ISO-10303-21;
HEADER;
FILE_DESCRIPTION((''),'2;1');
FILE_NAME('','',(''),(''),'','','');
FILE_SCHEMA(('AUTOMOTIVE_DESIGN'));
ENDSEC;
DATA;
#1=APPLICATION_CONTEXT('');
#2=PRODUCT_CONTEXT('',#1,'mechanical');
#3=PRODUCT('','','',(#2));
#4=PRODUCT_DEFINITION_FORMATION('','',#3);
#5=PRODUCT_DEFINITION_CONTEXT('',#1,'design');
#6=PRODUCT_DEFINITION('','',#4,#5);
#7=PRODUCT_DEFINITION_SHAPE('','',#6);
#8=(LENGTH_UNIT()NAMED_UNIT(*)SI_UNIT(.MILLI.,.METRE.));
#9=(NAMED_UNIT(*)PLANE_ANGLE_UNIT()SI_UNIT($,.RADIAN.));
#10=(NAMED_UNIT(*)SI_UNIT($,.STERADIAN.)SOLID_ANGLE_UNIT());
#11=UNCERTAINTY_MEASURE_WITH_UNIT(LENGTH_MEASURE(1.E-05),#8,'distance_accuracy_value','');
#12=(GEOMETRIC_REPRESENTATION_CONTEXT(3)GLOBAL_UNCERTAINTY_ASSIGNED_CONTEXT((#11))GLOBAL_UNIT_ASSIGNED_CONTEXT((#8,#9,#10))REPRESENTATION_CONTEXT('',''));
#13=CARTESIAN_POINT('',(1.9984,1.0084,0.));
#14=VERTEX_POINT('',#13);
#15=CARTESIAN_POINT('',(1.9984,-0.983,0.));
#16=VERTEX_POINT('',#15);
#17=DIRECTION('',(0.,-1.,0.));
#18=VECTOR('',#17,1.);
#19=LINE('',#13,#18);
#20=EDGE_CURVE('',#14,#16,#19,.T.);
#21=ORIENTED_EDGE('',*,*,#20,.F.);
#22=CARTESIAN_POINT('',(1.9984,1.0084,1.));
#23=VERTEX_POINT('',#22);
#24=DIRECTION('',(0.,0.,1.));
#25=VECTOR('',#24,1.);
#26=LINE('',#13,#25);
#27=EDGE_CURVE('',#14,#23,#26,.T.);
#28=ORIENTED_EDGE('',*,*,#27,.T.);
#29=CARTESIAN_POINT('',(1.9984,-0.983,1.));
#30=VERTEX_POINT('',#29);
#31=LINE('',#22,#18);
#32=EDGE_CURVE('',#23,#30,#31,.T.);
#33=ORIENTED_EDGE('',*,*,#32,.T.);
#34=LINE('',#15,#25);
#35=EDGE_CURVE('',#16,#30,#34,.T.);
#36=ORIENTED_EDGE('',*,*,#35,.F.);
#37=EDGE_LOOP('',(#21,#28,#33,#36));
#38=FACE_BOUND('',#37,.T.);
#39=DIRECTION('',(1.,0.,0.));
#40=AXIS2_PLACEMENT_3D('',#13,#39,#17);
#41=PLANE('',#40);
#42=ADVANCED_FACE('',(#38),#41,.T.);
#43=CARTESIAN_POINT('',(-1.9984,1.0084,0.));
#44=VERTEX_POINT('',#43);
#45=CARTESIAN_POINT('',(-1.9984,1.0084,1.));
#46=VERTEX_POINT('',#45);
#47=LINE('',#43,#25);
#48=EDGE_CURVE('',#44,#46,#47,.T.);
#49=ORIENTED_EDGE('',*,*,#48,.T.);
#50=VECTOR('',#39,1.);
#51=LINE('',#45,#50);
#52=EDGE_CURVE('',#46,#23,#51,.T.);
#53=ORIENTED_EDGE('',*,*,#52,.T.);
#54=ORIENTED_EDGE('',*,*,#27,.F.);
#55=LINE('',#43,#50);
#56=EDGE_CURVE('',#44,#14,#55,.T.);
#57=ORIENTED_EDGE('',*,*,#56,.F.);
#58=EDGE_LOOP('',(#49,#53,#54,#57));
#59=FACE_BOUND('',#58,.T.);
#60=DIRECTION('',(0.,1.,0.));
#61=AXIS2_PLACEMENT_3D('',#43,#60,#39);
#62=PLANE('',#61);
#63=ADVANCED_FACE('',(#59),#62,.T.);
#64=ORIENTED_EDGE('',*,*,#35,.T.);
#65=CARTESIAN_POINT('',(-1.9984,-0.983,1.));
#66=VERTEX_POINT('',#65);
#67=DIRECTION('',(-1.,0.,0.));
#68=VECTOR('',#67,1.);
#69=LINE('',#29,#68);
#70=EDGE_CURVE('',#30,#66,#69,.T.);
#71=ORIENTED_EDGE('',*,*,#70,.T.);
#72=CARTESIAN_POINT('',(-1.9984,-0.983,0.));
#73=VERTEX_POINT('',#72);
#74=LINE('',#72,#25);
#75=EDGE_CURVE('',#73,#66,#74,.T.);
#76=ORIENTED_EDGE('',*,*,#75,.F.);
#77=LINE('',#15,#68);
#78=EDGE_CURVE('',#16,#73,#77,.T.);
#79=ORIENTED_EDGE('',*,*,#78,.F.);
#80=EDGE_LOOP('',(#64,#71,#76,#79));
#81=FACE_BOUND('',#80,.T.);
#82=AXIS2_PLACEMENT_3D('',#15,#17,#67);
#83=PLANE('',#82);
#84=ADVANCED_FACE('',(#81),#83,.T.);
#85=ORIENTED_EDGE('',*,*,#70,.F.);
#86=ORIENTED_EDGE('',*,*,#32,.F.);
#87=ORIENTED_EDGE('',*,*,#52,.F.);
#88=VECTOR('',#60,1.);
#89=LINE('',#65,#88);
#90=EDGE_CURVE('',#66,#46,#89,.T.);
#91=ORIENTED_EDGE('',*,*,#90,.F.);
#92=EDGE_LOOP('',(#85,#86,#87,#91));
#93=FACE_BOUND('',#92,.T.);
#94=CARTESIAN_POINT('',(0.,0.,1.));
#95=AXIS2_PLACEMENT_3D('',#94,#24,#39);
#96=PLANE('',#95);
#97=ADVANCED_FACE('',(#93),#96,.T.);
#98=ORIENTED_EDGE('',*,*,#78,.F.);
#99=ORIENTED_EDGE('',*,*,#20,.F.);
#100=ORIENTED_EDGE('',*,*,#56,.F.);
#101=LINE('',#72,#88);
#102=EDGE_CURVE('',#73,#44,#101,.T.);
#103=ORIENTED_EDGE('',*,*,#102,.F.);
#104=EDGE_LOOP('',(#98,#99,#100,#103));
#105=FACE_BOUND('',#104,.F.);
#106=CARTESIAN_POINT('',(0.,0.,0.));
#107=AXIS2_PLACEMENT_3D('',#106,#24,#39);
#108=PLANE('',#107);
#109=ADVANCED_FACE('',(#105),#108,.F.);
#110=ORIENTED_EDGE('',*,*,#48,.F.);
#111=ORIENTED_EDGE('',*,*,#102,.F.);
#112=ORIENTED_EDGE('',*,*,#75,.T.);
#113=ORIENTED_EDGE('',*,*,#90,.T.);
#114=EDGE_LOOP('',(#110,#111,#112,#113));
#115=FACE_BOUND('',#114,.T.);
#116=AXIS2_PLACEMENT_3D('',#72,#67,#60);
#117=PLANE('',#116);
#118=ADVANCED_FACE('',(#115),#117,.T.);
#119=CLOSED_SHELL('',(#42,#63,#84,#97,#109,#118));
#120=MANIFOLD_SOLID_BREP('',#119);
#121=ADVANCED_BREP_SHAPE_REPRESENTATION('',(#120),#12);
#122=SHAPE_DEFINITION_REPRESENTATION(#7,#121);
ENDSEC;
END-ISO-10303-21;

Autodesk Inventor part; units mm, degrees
ref_plane "YZ Plane" through (0, 0, 0) normal (1, 0, 0) x (0, 1, 0)
ref_plane "XZ Plane" through (0, 0, 0) normal (0, 1, 0) x (-1, 0, 0)
ref_plane "XY Plane" through (0, 0, 0) normal (0, 0, 1) x (1, 0, 0)
sketch "C0805, _1UF_21" plane through (0, 0, 0) normal (0, 0, 1) x (1, 0, 0)
  line L0 (-1.9984, 1.0084) -> (1.9984, 1.0084)
  line L1 (1.9984, 1.0084) -> (1.9984, -0.983)
  line L2 (1.9984, -0.983) -> (-1.9984, -0.983)
  line L3 (-1.9984, -0.983) -> (-1.9984, 1.0084)
extrude "Extrusion1" add sketch "C0805, _1UF_21" along normal blind 1
properties part number "_1UF"
